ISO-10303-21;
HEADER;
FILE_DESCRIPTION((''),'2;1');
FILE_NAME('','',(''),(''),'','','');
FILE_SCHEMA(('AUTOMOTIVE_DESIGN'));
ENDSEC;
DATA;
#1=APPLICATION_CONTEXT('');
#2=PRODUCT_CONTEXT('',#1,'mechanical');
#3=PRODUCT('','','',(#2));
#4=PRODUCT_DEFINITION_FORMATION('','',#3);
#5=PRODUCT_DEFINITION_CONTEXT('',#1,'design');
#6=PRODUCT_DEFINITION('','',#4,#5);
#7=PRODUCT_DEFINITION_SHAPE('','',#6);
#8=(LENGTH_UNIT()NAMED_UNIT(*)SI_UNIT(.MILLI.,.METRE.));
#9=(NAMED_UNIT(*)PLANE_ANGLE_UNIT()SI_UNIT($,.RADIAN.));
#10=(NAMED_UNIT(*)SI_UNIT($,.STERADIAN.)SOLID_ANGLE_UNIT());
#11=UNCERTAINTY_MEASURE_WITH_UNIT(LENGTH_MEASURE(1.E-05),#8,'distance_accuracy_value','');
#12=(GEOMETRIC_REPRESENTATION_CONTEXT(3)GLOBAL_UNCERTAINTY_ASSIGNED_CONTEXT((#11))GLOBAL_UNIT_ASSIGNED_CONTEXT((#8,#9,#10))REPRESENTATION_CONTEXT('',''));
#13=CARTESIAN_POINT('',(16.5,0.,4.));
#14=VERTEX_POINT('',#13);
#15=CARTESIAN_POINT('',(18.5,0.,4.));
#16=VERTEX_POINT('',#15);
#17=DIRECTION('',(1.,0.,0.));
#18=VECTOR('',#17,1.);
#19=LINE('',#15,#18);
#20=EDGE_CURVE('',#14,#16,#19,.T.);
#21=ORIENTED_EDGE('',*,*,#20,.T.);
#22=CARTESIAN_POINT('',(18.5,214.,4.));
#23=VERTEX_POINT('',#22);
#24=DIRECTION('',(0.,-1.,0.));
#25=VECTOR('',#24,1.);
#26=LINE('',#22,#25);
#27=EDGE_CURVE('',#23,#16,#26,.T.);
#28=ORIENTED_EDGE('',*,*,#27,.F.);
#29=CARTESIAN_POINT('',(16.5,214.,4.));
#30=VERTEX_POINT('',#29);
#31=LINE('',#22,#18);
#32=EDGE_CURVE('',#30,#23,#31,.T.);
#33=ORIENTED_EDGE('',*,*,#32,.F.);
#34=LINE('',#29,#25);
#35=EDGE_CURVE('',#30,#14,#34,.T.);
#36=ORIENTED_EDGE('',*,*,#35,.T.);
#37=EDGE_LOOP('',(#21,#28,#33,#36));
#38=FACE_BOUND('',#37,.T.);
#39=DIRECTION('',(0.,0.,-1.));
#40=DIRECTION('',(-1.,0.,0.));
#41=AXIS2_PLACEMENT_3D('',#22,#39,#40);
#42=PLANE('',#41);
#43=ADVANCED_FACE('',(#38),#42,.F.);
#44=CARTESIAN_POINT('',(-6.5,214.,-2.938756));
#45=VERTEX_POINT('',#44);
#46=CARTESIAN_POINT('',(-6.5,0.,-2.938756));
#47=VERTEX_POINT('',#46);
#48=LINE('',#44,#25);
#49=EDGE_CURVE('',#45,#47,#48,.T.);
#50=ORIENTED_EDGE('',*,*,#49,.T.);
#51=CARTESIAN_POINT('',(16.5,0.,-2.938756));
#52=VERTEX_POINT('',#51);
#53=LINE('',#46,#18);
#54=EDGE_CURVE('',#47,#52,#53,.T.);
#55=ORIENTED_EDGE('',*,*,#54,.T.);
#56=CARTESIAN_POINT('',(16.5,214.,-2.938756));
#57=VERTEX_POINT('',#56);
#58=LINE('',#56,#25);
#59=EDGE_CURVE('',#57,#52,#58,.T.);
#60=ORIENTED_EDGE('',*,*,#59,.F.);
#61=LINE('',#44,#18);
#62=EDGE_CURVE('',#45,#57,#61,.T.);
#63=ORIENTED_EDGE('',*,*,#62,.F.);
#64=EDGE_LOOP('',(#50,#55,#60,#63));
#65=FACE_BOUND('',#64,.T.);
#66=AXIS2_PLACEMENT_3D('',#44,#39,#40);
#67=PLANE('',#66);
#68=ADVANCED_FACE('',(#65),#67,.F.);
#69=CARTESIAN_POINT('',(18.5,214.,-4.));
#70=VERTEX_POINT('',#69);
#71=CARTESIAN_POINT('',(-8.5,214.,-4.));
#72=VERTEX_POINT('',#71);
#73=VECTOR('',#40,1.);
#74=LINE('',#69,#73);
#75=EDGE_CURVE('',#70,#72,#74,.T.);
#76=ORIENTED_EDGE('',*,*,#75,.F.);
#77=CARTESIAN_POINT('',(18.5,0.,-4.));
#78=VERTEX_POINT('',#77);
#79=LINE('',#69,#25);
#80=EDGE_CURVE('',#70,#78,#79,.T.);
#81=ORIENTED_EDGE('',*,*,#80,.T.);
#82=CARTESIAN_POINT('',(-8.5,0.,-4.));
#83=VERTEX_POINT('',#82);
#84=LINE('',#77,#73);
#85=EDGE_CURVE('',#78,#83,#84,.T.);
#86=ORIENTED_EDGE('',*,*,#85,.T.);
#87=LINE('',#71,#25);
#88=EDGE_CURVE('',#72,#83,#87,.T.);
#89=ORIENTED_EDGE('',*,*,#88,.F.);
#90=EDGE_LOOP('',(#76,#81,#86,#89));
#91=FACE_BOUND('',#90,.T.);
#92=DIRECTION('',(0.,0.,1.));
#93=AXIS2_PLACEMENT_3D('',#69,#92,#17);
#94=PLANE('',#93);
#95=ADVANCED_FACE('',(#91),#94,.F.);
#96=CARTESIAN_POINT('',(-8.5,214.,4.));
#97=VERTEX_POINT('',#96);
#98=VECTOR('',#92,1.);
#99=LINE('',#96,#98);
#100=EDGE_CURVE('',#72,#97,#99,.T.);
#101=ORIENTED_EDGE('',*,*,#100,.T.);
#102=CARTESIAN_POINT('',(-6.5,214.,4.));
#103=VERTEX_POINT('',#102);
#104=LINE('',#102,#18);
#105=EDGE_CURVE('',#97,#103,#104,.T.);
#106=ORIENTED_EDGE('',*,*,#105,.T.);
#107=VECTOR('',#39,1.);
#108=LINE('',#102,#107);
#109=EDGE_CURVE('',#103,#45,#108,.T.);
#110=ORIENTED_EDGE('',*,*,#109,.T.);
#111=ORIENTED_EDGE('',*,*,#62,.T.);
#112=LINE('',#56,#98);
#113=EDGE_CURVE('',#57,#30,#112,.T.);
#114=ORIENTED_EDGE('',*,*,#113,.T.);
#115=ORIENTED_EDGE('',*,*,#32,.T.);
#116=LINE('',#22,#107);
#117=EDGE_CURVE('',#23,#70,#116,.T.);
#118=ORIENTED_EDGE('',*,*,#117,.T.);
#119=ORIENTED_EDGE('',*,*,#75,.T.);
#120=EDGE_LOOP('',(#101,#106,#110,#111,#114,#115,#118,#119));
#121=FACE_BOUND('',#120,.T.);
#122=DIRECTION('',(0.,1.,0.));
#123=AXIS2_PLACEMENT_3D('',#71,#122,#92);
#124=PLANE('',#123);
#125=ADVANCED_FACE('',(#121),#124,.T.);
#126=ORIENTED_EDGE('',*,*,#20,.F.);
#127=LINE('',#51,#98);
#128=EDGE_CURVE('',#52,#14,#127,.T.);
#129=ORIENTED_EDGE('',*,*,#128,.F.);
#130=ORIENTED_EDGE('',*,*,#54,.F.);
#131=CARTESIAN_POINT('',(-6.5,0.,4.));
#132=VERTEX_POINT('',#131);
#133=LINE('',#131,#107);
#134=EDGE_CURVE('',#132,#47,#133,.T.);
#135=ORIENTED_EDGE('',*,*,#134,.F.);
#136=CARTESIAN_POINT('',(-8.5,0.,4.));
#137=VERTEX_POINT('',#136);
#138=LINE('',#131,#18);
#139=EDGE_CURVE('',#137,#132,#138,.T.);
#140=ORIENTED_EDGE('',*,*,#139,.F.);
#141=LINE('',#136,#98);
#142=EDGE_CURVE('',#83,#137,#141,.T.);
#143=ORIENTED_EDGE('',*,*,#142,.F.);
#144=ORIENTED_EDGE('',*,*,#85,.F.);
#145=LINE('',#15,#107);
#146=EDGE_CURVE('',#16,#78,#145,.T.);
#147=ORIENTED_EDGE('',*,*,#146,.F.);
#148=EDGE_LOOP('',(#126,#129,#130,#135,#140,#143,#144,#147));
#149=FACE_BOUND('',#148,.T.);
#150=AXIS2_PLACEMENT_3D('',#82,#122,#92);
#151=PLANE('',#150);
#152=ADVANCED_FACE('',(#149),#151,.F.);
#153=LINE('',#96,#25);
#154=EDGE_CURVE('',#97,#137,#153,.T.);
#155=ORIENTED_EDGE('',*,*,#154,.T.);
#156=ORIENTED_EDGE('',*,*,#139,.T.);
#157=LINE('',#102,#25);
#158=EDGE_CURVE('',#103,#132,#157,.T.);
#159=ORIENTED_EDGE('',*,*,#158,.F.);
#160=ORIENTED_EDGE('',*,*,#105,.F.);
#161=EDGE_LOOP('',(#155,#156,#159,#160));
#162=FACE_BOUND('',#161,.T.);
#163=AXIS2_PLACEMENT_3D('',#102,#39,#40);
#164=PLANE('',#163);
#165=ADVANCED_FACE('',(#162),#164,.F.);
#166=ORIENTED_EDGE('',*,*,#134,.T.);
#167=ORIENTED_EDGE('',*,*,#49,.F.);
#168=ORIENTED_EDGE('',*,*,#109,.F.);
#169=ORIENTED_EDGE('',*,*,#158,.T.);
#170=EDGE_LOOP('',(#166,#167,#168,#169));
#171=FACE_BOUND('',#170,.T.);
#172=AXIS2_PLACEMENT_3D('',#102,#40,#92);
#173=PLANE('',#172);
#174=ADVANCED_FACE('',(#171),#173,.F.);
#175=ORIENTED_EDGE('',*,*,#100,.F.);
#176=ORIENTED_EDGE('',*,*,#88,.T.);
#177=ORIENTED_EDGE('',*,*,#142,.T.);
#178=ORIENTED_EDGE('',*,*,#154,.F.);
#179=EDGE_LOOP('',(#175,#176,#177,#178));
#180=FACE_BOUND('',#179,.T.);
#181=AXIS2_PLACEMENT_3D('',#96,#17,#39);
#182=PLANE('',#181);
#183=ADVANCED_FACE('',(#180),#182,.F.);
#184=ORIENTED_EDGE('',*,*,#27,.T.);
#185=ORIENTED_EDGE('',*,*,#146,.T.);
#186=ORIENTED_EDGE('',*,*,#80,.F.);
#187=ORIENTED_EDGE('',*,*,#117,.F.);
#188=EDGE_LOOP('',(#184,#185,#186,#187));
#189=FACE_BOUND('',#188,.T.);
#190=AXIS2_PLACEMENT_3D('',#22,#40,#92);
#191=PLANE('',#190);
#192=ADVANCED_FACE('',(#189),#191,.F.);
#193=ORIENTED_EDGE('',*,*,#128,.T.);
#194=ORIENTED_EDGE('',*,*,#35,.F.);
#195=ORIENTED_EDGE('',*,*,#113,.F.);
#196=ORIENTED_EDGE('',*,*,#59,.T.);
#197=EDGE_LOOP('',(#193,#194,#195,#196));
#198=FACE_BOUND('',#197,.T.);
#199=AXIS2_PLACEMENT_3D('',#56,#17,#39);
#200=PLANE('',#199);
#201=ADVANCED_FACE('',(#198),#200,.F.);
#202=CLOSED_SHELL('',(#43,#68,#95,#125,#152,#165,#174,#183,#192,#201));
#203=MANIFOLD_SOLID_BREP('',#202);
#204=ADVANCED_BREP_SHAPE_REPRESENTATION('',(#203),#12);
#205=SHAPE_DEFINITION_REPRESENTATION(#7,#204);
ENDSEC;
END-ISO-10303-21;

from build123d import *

# Parameters (mm, degrees)
BOSS_EXTRUDE1_DEPTH = 214


with BuildPart() as part:
    # Sketch1 → Boss-Extrude1 (new body)
    with BuildSketch(Plane(origin=(0, 0, 0), x_dir=(1, 0, 0), z_dir=(0, 1, 0))):
        Polygon((-6.5, -4), (-6.5, 2.938756375), (16.5, 2.938756375), (16.5, -4), (18.5, -4), (18.5, 4), (-8.5, 4), (-8.5, -4), align=None)
    extrude(amount=BOSS_EXTRUDE1_DEPTH)


solid = part.part
